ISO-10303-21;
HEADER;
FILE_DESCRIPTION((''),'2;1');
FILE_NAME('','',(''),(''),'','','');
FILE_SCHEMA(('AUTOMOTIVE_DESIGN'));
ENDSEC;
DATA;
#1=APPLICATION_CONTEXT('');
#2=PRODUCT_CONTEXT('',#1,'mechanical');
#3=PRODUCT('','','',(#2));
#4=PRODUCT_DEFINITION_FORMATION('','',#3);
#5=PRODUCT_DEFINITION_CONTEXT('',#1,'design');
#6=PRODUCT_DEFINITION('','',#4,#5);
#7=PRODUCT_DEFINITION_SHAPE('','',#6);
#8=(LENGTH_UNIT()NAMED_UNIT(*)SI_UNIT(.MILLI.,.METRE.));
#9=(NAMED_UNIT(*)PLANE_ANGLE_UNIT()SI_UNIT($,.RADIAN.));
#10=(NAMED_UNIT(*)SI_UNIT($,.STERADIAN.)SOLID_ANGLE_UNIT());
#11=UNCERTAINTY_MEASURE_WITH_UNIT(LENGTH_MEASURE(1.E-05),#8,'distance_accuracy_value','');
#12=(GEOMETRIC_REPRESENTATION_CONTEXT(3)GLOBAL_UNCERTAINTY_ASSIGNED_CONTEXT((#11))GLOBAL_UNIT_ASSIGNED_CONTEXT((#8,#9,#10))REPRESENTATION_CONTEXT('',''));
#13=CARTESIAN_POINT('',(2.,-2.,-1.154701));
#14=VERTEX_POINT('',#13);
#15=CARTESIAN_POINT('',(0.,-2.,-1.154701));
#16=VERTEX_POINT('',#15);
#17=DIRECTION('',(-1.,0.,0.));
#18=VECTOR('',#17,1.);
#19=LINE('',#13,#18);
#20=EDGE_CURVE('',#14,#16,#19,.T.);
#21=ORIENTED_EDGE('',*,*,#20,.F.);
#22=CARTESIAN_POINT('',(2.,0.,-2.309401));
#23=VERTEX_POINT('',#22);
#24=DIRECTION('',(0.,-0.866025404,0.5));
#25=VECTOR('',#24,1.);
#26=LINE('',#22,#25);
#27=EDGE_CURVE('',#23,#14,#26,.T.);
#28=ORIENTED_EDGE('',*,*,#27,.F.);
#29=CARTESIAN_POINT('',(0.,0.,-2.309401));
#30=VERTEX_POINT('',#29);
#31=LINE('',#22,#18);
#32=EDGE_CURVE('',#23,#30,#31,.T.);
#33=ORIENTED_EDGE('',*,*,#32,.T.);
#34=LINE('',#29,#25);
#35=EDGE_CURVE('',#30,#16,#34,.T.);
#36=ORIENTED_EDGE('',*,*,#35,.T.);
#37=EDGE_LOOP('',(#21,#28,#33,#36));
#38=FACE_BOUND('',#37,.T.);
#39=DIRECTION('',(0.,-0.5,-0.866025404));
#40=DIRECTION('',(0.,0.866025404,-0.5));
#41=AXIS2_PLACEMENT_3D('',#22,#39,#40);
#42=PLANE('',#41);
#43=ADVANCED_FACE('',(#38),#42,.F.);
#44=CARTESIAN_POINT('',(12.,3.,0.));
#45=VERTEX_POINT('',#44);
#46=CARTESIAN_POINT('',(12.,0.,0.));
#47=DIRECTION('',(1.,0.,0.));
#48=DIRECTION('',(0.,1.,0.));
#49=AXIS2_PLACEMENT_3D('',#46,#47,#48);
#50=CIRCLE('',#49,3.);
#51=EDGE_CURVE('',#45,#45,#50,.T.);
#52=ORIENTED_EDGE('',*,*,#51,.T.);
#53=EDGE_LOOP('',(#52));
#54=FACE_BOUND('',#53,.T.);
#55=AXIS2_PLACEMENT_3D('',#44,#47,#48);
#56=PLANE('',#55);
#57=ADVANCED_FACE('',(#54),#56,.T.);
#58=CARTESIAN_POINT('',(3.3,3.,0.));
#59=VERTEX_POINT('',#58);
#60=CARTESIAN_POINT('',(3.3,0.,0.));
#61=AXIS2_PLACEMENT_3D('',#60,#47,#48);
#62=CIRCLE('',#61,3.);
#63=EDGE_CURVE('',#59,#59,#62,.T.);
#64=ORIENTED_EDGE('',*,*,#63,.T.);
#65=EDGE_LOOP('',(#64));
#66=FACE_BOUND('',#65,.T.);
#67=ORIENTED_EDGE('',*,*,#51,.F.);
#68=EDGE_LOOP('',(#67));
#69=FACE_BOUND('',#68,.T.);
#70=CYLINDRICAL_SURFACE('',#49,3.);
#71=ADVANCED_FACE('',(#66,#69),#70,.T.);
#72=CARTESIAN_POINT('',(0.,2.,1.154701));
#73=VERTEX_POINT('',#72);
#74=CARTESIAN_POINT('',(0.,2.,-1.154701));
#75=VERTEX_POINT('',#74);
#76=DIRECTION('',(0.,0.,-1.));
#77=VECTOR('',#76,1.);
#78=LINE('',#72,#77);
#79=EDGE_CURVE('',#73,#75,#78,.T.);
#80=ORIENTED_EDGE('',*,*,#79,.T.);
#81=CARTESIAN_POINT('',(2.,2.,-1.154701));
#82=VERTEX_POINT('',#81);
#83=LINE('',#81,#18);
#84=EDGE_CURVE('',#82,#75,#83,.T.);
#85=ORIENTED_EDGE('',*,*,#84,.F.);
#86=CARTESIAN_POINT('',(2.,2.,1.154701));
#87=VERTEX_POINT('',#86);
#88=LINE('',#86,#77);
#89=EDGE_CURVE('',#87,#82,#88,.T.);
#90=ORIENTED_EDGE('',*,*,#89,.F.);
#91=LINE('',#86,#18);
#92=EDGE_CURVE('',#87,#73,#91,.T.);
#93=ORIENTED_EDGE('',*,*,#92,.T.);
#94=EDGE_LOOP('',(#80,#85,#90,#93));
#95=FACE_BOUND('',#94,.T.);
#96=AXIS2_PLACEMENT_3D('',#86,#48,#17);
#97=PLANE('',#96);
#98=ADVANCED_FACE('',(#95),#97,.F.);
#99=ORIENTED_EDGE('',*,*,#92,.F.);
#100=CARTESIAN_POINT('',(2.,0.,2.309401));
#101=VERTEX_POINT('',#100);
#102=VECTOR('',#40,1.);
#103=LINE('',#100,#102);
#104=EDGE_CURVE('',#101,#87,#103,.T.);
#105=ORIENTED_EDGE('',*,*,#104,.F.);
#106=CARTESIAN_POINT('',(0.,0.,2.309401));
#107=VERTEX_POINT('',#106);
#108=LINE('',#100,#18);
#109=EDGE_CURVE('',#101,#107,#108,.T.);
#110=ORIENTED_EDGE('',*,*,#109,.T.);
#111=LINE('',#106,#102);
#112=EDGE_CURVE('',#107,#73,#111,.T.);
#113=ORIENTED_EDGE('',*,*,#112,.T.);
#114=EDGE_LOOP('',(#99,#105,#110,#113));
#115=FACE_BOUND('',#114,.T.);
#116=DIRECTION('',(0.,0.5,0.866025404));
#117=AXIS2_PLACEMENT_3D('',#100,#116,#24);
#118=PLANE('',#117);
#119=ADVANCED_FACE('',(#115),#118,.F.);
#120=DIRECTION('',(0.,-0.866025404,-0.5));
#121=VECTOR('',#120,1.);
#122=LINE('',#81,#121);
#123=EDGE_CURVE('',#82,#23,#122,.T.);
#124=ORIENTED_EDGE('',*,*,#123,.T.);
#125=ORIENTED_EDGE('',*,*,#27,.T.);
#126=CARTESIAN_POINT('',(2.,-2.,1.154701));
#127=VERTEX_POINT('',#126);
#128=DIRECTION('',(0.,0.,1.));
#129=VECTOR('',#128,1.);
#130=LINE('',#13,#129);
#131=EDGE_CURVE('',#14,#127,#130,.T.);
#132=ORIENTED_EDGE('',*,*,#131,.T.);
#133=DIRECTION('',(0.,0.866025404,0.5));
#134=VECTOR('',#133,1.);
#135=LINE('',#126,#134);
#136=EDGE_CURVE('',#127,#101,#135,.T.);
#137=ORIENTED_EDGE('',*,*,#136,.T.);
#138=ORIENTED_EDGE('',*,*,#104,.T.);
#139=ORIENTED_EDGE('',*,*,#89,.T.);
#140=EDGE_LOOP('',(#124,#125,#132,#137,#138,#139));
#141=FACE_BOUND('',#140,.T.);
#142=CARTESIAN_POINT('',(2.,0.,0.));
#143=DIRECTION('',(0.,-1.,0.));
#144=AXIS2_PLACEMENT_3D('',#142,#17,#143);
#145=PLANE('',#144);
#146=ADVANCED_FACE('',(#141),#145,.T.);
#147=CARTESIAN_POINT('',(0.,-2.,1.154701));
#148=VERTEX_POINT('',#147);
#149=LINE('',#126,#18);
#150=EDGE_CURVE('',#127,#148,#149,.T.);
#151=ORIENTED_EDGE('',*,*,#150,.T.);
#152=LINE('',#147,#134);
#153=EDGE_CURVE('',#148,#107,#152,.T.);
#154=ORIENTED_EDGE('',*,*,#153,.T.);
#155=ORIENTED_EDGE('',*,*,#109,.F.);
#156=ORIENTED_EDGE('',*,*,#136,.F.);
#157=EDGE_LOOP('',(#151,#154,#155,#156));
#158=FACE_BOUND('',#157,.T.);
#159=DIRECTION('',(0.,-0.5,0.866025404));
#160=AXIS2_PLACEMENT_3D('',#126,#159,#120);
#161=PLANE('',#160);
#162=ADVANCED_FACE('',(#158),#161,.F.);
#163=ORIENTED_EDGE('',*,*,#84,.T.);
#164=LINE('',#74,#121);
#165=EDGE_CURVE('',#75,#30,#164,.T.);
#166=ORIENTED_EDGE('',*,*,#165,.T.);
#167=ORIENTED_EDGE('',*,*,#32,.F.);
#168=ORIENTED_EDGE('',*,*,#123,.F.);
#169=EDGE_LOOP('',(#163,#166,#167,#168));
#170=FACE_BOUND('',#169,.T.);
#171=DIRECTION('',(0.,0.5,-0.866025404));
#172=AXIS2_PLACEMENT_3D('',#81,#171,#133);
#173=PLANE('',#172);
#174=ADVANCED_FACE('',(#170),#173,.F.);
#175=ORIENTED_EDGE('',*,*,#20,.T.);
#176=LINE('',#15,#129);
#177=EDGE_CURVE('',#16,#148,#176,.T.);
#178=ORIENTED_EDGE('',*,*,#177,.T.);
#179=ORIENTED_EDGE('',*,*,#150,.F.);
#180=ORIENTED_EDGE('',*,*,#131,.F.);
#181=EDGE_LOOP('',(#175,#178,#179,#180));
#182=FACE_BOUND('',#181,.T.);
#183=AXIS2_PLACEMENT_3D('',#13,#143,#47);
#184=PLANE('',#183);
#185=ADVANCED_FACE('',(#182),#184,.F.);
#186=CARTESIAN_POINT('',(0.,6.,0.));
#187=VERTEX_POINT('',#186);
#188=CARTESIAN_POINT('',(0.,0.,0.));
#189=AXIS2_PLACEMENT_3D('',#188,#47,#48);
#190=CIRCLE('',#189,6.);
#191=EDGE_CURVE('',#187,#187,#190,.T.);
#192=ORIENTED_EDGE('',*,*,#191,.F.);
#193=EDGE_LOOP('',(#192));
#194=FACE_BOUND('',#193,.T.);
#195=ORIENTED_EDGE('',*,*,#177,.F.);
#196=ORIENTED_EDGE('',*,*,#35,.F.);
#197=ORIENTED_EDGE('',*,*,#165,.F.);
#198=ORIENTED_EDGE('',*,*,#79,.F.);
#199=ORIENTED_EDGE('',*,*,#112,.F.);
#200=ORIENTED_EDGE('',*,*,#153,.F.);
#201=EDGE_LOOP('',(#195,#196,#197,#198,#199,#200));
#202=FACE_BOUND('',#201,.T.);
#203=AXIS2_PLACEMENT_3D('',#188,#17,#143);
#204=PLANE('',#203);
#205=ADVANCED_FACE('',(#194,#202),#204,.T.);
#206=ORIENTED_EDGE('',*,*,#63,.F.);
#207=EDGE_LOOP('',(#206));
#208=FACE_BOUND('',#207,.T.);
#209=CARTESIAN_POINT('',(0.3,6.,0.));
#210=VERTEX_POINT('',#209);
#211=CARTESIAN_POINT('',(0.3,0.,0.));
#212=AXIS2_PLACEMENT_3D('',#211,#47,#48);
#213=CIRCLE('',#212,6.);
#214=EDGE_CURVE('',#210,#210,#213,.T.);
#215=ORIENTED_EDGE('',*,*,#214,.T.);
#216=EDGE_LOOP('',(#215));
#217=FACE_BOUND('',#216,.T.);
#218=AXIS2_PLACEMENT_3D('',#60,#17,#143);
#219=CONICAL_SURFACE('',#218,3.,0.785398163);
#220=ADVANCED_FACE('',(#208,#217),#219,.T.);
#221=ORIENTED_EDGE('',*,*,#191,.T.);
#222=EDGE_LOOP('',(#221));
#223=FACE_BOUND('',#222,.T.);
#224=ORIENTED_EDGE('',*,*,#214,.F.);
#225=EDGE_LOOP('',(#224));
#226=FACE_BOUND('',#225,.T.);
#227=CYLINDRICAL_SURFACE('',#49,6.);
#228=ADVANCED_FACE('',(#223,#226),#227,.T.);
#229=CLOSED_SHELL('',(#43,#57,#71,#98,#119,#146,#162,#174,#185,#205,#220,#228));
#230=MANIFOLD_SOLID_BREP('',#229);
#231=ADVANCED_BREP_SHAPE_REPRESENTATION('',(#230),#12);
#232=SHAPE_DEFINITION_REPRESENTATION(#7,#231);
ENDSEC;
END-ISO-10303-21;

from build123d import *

# Parameters (mm, degrees)
CUT_EXTRUDE1_DEPTH = 2


with BuildPart() as part:
    # Sketch1 → Revolve1 (revolve)
    with BuildSketch(Plane.XY):
        Polygon((0, 0), (0, 6), (0.3, 6), (3.3, 3), (12, 3), (12, 0), align=None)
    revolve(axis=Axis((12, 0, 0), (-1, 0, 0)))

    # Sketch2 → Cut-Extrude1 (cut)
    with BuildSketch(Plane.ZY):
        Polygon((1.154700538, 2), (-1.154700538, 2), (-2.309401077, 0), (-1.154700538, -2), (1.154700538, -2), (2.309401077, 0), align=None)
    extrude(amount=-CUT_EXTRUDE1_DEPTH, mode=Mode.SUBTRACT)


solid = part.part
